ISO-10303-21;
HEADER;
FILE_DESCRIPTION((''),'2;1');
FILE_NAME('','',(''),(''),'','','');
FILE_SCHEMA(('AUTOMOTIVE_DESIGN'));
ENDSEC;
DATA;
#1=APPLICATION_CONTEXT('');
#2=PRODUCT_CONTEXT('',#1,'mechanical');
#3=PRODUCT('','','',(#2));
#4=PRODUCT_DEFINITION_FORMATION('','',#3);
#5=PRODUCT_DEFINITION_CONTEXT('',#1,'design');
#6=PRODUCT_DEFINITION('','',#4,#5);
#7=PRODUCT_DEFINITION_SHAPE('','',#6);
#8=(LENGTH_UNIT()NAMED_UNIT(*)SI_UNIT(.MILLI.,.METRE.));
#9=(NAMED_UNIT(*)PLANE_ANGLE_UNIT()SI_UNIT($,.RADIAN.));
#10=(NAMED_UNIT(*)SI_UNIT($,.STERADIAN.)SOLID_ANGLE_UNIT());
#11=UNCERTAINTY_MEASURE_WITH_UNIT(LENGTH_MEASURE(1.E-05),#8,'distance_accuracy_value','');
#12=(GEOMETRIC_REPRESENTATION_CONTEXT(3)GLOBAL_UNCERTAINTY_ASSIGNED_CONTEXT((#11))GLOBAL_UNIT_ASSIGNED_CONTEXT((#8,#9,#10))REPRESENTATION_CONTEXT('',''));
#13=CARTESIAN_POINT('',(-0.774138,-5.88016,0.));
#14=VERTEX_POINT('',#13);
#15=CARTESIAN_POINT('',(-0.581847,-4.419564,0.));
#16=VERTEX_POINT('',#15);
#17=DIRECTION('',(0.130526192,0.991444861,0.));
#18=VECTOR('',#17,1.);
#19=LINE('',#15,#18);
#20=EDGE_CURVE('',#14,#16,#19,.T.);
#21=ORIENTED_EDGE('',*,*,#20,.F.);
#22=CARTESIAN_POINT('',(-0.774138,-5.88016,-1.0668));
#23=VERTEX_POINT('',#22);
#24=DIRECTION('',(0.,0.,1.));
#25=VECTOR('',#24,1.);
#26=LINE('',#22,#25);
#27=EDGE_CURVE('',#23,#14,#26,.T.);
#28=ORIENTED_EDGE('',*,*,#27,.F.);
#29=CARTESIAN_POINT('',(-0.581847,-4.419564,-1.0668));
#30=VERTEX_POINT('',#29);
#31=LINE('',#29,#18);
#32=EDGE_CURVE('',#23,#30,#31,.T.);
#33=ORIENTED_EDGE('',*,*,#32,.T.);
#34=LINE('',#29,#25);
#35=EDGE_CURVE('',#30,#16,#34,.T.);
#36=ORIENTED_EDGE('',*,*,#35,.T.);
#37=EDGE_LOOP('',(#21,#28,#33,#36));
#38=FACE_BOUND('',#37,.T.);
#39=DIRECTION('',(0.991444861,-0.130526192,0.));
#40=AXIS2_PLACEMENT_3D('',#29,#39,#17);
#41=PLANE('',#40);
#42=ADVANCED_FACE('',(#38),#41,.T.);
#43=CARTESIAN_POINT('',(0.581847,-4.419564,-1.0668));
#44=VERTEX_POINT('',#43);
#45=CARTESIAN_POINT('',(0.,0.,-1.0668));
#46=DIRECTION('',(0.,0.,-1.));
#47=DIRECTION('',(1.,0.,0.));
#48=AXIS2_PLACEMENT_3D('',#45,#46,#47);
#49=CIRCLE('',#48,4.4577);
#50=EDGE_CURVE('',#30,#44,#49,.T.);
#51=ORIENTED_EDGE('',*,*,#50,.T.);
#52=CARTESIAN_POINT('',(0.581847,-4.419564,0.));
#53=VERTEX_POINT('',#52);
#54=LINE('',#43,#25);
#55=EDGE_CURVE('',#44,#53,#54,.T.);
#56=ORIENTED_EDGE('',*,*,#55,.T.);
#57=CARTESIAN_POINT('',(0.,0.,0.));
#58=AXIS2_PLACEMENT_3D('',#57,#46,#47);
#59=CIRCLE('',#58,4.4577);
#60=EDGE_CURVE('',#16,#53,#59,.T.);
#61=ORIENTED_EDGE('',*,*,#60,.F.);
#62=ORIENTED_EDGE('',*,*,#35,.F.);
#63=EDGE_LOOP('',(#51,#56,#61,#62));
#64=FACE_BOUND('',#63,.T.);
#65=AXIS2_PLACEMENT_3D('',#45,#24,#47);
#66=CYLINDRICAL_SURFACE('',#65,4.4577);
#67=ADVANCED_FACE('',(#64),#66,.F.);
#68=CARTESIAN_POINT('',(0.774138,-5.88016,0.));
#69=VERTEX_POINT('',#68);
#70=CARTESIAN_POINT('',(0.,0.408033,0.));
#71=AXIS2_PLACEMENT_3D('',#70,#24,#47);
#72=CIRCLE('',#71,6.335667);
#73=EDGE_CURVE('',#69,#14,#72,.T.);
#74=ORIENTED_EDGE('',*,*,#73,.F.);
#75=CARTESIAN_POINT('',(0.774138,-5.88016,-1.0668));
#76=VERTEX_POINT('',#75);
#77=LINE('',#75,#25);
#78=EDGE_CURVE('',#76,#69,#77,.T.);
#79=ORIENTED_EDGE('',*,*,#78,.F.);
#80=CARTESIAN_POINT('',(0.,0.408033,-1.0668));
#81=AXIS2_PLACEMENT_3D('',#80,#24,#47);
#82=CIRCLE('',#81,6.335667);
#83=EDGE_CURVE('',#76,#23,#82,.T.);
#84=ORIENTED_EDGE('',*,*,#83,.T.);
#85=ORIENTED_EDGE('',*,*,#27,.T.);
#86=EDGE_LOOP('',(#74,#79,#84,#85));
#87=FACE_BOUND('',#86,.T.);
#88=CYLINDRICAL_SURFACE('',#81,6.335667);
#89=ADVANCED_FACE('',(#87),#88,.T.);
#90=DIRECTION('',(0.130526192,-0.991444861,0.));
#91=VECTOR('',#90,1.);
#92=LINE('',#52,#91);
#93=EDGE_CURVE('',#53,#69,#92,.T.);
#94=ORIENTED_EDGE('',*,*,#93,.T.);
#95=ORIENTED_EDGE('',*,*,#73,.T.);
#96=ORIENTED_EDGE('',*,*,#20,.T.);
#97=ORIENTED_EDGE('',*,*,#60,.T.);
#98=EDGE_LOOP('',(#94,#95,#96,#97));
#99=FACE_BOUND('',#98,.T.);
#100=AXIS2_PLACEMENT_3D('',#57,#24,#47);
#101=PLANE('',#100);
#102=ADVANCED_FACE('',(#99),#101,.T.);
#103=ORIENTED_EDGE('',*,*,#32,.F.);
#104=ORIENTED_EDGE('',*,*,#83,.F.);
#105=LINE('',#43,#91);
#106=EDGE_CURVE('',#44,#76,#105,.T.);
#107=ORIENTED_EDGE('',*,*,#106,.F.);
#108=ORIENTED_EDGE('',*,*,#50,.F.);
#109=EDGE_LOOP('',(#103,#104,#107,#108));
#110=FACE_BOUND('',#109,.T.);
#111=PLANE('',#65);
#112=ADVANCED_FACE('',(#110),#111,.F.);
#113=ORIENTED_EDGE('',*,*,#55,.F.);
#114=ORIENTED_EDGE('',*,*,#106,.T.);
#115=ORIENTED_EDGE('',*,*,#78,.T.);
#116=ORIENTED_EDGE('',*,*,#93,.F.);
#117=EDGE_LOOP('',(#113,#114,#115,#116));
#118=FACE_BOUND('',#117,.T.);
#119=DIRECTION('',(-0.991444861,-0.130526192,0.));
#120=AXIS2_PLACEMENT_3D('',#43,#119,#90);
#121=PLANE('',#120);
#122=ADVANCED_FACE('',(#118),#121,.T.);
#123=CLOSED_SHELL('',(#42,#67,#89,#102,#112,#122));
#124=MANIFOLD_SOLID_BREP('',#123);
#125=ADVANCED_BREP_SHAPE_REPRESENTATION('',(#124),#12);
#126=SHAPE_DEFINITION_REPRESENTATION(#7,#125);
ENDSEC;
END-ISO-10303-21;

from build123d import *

# Parameters (mm, degrees)
BODY_DEPTH = 1.0668


with BuildPart() as part:
    # BodySke → Body (new body)
    with BuildSketch(Plane.XY):
        with BuildLine():
            Line((0.581846607, -4.419563759), (0.774137793, -5.880160328))
            ThreePointArc((0.774137793, -5.880160328), (0, 6.7437), (-0.774137793, -5.880160328))
            Line((-0.774137793, -5.880160328), (-0.581846607, -4.419563759))
            ThreePointArc((-0.581846607, -4.419563759), (0, 4.4577), (0.581846607, -4.419563759))
        make_face()
    extrude(amount=-BODY_DEPTH)


solid = part.part
